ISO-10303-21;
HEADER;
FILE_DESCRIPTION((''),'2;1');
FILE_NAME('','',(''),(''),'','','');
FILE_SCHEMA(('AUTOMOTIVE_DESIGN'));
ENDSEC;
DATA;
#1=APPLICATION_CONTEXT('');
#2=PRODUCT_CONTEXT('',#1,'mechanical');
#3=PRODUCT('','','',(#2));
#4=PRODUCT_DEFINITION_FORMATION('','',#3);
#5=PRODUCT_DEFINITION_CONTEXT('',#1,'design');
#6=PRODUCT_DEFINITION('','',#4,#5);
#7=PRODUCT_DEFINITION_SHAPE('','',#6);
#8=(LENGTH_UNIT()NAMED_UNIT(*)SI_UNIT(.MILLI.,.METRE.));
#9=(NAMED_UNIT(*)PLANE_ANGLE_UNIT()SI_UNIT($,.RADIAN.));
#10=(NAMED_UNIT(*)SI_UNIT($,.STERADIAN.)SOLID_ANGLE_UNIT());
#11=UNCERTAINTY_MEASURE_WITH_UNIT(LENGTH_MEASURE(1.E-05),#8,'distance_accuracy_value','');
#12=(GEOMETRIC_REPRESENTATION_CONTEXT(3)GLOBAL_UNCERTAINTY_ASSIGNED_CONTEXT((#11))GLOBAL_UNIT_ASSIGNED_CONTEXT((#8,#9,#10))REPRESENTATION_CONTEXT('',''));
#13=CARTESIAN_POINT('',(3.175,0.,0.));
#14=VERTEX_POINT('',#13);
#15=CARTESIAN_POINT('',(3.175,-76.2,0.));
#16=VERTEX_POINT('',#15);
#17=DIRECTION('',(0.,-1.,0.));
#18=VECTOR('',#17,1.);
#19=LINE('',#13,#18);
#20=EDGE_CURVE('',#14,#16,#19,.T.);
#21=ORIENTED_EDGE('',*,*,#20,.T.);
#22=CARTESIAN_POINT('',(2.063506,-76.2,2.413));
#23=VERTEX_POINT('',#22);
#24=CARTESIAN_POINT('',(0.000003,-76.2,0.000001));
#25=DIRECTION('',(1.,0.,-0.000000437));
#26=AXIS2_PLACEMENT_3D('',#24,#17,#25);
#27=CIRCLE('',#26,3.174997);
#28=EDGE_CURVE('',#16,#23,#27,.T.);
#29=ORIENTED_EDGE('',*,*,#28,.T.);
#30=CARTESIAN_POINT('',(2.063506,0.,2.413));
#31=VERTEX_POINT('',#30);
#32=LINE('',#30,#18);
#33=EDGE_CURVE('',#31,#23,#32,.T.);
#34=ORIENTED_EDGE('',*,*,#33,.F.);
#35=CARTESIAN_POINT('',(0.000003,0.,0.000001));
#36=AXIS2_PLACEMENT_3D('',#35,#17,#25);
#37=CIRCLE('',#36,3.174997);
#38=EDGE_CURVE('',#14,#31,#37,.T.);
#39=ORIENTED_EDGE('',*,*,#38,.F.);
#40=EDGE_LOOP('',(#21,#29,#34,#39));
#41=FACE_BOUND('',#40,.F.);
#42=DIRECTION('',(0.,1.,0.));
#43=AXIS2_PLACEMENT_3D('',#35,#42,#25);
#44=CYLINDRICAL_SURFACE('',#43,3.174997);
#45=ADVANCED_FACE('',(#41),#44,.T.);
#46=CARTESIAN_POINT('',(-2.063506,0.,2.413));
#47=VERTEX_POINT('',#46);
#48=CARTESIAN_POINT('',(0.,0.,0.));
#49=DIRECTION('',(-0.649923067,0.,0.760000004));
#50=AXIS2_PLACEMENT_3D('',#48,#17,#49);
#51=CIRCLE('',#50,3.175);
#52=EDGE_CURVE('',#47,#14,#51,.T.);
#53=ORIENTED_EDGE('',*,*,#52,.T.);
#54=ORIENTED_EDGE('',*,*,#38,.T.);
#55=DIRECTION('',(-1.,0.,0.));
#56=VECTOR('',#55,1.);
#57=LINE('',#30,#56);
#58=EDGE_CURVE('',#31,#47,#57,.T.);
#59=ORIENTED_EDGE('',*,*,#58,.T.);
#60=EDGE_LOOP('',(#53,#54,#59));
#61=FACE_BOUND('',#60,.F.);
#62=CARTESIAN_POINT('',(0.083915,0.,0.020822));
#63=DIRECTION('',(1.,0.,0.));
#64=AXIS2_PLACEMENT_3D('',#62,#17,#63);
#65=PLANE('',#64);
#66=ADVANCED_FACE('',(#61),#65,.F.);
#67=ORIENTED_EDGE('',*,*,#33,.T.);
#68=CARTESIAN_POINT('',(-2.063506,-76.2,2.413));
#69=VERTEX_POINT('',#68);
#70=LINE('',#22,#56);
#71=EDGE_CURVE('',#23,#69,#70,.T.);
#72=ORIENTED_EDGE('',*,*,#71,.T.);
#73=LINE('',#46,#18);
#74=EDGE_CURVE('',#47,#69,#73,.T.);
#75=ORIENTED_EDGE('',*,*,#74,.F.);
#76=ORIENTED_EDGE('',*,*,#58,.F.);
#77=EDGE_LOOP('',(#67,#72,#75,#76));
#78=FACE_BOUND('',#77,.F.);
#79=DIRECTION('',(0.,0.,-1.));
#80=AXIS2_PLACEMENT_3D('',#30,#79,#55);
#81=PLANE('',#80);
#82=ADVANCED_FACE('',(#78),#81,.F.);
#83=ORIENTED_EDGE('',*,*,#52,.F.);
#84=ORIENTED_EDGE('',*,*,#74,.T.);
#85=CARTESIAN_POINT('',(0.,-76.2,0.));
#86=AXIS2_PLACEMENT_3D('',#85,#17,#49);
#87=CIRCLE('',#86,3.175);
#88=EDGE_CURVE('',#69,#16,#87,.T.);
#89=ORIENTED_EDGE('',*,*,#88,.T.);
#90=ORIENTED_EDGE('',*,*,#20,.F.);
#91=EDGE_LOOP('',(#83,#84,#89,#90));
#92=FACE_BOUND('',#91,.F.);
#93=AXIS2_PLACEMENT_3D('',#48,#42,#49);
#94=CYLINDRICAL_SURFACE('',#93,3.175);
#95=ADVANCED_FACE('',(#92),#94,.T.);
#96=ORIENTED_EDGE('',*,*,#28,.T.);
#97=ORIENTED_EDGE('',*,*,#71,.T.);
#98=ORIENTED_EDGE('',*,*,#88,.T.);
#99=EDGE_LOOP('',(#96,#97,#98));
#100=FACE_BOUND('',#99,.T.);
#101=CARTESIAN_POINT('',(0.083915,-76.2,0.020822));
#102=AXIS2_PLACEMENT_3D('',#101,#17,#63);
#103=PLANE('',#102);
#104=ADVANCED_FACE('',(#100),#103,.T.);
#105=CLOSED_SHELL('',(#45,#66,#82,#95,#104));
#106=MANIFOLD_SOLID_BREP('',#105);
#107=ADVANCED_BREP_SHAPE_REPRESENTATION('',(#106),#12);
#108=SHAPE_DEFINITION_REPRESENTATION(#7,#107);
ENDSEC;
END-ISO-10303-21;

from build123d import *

# Parameters (mm, degrees)
F1_DEPTH = 76.2


with BuildPart() as f1:
    # F0 (on Front) → F1 (new body)
    with BuildSketch(Plane.XZ):
        with BuildLine():
            ThreePointArc((-2.063506, 2.413), (-1.328344, -2.88377), (3.175, 0))
            ThreePointArc((3.175, 0), (2.88377, 1.328344), (2.063506, 2.413))
            Line((2.063506, 2.413), (-2.063506, 2.413))
        make_face()
    extrude(amount=F1_DEPTH)


solid = f1.part
